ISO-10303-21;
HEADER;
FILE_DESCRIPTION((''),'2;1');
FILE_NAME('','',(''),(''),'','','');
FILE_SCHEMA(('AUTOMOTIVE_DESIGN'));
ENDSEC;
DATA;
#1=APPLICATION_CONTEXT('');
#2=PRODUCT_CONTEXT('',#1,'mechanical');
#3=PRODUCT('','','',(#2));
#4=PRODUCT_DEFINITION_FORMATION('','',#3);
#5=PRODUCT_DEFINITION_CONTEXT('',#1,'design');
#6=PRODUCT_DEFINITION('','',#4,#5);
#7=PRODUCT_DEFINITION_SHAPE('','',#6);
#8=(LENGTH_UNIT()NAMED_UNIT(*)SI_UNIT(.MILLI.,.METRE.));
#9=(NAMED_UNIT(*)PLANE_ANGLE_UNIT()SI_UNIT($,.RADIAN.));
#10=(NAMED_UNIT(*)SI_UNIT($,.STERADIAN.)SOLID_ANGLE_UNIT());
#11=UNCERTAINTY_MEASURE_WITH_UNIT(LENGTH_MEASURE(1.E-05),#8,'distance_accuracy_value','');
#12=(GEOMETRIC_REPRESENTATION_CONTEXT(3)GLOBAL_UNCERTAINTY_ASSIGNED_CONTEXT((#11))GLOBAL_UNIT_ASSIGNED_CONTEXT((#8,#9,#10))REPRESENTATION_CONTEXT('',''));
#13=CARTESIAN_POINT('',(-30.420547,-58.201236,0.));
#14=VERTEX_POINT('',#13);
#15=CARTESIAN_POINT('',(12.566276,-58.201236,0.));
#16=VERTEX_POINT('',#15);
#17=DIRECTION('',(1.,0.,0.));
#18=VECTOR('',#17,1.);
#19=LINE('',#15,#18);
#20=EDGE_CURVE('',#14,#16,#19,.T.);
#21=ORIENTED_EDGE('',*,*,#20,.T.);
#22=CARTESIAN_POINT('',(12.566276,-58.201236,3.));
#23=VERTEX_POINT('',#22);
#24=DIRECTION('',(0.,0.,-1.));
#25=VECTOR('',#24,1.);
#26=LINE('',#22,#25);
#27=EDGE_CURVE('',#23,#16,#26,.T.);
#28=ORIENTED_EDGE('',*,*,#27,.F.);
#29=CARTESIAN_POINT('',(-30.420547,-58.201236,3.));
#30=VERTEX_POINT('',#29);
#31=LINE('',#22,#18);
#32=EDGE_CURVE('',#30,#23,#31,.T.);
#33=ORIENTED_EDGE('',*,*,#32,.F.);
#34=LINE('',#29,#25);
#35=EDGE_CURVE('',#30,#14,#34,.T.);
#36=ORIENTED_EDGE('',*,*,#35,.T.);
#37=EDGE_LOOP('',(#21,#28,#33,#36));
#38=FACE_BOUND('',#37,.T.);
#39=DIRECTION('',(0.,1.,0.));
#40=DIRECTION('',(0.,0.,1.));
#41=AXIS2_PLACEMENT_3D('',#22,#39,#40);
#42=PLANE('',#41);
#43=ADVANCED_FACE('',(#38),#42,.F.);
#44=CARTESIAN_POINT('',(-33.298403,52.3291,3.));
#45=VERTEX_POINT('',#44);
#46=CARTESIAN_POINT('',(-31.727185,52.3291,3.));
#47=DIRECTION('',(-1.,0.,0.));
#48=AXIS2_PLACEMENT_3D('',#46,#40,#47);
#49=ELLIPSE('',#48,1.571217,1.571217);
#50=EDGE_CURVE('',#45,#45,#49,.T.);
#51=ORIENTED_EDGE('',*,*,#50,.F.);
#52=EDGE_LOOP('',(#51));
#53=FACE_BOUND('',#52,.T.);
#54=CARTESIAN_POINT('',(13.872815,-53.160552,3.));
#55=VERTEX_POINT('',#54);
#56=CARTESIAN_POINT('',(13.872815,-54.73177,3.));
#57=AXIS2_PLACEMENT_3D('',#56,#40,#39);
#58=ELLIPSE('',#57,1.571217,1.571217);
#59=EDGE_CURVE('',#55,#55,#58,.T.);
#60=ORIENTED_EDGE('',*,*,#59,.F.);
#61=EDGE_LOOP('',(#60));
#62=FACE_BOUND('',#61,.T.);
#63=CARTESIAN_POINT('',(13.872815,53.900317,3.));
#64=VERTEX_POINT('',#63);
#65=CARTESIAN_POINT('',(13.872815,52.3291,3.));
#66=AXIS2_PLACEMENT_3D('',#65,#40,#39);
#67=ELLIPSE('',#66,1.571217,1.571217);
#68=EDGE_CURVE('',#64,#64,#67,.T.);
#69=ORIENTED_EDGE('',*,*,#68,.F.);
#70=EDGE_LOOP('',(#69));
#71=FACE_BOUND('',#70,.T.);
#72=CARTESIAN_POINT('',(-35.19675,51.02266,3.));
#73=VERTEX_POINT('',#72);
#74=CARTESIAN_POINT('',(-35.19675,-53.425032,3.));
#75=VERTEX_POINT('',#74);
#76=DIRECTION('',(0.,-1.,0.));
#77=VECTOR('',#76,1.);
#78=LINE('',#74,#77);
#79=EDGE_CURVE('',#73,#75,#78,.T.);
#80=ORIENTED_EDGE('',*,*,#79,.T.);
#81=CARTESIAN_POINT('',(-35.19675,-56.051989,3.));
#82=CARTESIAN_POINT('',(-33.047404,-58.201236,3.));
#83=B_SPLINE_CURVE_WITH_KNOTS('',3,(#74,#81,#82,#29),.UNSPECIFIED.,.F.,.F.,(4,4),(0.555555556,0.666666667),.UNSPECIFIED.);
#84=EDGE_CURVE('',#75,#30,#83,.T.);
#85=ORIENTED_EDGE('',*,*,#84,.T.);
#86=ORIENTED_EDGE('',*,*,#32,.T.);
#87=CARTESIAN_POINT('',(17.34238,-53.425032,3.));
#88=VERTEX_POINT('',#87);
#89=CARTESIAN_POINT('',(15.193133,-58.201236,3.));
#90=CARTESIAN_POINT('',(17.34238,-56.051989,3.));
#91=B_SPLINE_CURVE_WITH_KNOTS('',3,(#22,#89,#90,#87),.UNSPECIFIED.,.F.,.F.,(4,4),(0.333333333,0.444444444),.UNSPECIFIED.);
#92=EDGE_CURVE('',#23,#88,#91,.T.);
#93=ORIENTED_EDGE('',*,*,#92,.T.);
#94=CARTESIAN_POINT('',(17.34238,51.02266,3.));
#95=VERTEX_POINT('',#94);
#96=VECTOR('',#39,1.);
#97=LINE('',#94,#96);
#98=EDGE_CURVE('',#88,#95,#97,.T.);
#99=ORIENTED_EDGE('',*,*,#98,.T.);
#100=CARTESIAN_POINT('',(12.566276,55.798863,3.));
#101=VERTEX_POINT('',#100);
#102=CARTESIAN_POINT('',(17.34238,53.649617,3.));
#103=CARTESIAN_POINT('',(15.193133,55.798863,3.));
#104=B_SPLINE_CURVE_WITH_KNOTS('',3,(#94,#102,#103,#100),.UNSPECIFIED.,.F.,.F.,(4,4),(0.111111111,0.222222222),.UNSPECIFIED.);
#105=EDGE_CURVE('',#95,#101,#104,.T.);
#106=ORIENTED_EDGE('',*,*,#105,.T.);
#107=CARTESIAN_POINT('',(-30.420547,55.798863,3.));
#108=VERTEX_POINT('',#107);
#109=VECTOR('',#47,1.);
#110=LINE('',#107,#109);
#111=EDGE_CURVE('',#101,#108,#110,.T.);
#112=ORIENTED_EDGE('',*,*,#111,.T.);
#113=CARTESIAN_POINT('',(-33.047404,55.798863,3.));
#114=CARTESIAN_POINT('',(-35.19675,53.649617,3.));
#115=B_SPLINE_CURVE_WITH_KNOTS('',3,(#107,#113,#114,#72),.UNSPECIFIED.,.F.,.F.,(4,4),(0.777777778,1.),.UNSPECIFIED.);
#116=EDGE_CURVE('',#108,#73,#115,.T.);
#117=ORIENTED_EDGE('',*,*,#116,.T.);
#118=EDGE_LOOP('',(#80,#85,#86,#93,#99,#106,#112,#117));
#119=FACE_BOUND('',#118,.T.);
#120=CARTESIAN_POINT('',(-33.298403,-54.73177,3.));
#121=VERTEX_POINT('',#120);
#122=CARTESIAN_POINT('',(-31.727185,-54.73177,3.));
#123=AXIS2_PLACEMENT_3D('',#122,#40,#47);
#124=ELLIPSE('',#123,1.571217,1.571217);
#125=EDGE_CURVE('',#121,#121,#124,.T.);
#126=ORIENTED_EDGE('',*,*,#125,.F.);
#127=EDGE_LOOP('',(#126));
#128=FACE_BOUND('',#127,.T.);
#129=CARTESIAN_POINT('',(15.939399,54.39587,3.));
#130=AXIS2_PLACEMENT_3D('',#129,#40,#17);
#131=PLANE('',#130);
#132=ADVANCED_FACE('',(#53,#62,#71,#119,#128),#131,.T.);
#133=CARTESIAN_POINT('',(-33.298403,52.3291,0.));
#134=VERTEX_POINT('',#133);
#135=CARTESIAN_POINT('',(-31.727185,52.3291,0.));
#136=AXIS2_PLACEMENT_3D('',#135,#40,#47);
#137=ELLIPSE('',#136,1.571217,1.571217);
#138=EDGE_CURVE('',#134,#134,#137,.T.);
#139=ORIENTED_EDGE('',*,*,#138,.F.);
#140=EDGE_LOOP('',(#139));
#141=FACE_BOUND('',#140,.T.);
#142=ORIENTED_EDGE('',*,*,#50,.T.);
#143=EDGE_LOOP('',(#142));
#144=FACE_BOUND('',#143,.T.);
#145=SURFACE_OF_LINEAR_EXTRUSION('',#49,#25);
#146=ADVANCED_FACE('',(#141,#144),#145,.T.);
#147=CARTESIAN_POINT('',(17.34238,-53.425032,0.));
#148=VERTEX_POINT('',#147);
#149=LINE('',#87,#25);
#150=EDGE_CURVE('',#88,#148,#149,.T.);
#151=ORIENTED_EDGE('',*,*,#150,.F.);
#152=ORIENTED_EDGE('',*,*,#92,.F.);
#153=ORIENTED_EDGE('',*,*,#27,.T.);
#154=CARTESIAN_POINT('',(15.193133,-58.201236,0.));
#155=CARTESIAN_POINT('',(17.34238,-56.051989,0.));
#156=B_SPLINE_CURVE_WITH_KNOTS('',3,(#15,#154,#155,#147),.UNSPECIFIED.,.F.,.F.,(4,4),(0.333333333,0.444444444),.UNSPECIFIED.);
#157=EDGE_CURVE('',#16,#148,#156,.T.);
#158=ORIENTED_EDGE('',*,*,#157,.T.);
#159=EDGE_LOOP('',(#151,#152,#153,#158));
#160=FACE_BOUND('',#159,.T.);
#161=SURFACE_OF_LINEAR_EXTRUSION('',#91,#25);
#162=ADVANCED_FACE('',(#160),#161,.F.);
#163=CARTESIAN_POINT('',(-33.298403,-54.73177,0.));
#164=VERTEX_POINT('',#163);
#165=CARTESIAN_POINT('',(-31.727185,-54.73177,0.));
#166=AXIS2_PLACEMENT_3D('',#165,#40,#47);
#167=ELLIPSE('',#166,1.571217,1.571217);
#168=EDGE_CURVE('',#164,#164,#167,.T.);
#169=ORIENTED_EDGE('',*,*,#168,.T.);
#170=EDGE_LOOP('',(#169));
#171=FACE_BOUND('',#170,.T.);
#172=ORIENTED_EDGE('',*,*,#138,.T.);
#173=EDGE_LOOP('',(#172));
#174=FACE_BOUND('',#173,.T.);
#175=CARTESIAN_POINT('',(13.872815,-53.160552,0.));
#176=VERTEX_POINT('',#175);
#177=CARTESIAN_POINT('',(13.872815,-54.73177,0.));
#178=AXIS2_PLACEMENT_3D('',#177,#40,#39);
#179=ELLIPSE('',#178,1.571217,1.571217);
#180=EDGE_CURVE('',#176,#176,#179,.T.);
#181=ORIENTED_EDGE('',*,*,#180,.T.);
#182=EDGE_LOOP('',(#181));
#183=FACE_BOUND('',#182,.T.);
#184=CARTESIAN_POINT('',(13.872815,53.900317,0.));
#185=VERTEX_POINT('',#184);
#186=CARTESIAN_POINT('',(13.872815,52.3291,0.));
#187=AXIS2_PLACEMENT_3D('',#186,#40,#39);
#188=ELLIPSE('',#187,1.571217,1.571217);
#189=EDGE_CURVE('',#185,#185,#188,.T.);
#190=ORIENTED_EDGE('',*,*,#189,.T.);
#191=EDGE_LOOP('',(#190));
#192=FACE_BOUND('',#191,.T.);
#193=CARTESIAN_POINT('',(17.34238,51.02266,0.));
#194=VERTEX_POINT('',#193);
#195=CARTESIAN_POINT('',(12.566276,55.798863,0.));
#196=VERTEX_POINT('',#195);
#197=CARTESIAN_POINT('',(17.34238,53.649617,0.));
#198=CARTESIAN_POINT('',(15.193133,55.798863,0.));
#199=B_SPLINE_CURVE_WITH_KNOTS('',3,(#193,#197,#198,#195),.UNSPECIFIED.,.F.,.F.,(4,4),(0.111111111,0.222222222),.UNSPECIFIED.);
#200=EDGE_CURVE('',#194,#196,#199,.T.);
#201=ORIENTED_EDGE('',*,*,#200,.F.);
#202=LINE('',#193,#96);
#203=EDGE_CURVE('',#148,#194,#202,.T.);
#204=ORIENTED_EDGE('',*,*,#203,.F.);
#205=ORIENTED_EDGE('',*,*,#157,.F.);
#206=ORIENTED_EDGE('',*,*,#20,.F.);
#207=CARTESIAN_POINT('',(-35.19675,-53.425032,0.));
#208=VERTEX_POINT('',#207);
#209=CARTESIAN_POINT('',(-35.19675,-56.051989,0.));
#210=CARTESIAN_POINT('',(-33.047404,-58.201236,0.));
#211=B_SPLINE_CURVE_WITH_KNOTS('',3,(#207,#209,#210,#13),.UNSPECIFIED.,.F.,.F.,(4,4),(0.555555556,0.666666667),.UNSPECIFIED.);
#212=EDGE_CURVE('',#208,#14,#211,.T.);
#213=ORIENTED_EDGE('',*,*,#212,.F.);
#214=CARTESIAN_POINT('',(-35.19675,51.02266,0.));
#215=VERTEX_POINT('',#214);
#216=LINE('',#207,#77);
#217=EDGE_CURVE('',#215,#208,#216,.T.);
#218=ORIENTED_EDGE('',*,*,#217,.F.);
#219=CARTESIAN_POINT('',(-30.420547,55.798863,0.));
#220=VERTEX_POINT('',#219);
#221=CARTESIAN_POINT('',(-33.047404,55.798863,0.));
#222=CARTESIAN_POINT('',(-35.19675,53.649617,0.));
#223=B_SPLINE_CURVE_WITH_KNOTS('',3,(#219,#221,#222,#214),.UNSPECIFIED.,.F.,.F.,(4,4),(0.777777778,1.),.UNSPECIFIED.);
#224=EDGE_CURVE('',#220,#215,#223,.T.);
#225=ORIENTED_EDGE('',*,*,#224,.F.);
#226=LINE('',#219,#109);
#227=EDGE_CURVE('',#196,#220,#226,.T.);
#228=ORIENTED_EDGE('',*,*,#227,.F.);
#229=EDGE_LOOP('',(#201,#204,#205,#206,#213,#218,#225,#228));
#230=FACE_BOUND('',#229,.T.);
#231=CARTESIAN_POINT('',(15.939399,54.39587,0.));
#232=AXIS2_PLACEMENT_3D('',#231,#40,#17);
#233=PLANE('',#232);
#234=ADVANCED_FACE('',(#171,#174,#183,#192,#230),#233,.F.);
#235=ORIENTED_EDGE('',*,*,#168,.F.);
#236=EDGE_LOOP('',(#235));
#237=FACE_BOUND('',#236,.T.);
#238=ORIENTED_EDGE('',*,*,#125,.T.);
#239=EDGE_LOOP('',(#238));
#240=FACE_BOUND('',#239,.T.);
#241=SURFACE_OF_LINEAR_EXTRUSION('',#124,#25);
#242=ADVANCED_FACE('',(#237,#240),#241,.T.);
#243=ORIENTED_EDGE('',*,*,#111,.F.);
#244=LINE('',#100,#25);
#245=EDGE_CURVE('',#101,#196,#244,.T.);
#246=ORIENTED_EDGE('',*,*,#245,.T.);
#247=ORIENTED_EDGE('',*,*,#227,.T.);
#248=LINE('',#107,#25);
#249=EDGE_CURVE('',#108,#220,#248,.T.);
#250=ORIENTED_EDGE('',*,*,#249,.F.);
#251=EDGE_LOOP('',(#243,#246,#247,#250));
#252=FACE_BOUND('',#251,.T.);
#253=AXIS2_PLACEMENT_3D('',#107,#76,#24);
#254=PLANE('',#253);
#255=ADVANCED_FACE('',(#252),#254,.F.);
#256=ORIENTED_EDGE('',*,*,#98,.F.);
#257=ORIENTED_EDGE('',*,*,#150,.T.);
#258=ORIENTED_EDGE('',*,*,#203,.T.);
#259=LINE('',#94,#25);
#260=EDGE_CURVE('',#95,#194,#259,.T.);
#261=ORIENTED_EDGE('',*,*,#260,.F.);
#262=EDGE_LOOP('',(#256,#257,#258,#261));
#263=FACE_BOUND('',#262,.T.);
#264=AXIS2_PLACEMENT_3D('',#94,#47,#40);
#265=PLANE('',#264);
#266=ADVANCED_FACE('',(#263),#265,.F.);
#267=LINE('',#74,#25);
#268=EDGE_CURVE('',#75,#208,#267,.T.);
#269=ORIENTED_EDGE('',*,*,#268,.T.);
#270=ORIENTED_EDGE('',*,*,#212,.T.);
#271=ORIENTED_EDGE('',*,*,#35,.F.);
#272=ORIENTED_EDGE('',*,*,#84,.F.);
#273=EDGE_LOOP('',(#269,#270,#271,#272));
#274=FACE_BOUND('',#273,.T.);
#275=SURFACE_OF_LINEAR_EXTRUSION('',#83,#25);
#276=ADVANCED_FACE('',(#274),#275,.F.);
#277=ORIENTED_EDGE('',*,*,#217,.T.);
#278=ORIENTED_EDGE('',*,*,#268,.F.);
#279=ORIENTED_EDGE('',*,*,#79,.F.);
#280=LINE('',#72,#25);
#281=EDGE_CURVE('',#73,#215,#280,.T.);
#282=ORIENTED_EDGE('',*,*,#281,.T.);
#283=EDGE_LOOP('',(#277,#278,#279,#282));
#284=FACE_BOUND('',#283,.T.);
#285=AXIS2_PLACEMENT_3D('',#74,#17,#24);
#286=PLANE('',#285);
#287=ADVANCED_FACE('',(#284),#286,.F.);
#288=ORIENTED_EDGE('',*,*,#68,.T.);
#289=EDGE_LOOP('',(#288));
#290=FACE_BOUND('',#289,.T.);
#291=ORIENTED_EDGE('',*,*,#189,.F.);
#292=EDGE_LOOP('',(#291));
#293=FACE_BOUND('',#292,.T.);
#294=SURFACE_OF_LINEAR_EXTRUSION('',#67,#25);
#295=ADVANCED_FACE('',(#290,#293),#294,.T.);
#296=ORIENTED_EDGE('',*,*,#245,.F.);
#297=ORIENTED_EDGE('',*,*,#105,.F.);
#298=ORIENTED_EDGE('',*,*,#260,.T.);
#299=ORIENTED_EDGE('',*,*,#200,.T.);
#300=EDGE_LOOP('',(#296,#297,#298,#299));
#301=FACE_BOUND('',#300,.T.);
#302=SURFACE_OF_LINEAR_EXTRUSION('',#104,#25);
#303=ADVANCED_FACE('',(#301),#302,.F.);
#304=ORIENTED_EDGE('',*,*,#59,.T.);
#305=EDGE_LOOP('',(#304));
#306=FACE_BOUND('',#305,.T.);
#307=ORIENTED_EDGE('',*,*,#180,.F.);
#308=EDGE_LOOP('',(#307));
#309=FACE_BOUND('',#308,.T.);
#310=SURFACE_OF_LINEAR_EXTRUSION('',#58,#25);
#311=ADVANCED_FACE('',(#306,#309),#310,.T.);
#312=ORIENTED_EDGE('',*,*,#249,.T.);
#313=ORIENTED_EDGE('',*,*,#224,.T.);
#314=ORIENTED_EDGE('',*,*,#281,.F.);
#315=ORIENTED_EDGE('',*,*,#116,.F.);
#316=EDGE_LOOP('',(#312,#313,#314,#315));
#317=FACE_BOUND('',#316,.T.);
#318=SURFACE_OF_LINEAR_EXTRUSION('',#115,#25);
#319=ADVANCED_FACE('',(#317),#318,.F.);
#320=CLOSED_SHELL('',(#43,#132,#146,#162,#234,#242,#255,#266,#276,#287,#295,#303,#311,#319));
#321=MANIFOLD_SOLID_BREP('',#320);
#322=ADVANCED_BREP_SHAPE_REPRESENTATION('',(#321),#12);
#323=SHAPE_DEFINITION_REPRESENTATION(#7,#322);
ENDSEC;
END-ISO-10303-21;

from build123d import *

# Parameters (mm, degrees)
MODEL_RX                = 1.571217391
MODEL_RY                = 1.571217391
SALIENTE_EXTRUIR1_DEPTH = 3


with BuildPart() as part:
    # Model → Saliente-Extruir1 (new body)
    with BuildSketch(Plane.XY):
        with BuildLine():
            Line((-30.420546945, 55.798863477), (12.566275653, 55.798863477))
            add(Edge.make_bspline(
                [(12.566275653, 55.798863477), (15.193133044, 55.798863477), (17.34238, 53.649616521), (17.34238, 51.02266)],
                knots=[0.111111111, 0.111111111, 0.111111111, 0.111111111, 0.222222222, 0.222222222, 0.222222222, 0.222222222], degree=3))
            Line((17.34238, 51.02266), (17.34238, -53.425032149))
            add(Edge.make_bspline(
                [(17.34238, -53.425032149), (17.34238, -56.05198867), (15.193133044, -58.201235626), (12.566275653, -58.201235626)],
                knots=[0.333333333, 0.333333333, 0.333333333, 0.333333333, 0.444444444, 0.444444444, 0.444444444, 0.444444444], degree=3))
            Line((12.566275653, -58.201235626), (-30.420546945, -58.201235626))
            add(Edge.make_bspline(
                [(-30.420546945, -58.201235626), (-33.047404336, -58.201235626), (-35.196750422, -56.05198867), (-35.196750422, -53.425032149)],
                knots=[0.555555556, 0.555555556, 0.555555556, 0.555555556, 0.666666667, 0.666666667, 0.666666667, 0.666666667], degree=3))
            Line((-35.196750422, -53.425032149), (-35.196750422, 51.02266))
            add(Edge.make_bspline(
                [(-35.196750422, 51.02266), (-35.196750422, 53.649616521), (-33.047404336, 55.798863477), (-30.420546945, 55.798863477)],
                knots=[0.777777778, 0.777777778, 0.777777778, 0.777777778, 1, 1, 1, 1], degree=3))
        make_face()
        with Locations(Location((-31.727185206, 52.3291), (0, 0, 90))):
            Ellipse(MODEL_RX, MODEL_RY, mode=Mode.SUBTRACT)
        with Locations(Location((13.872814783, 52.3291), (0, 0, 90))):
            Ellipse(MODEL_RX, MODEL_RY, mode=Mode.SUBTRACT)
        with Locations(Location((-31.727185206, -54.73176954), (0, 0, 180))):
            Ellipse(MODEL_RX, MODEL_RY, mode=Mode.SUBTRACT)
        with Locations(Location((13.872814783, -54.73176954), (0, 0, 90))):
            Ellipse(MODEL_RX, MODEL_RY, mode=Mode.SUBTRACT)
    extrude(amount=SALIENTE_EXTRUIR1_DEPTH)


solid = part.part
